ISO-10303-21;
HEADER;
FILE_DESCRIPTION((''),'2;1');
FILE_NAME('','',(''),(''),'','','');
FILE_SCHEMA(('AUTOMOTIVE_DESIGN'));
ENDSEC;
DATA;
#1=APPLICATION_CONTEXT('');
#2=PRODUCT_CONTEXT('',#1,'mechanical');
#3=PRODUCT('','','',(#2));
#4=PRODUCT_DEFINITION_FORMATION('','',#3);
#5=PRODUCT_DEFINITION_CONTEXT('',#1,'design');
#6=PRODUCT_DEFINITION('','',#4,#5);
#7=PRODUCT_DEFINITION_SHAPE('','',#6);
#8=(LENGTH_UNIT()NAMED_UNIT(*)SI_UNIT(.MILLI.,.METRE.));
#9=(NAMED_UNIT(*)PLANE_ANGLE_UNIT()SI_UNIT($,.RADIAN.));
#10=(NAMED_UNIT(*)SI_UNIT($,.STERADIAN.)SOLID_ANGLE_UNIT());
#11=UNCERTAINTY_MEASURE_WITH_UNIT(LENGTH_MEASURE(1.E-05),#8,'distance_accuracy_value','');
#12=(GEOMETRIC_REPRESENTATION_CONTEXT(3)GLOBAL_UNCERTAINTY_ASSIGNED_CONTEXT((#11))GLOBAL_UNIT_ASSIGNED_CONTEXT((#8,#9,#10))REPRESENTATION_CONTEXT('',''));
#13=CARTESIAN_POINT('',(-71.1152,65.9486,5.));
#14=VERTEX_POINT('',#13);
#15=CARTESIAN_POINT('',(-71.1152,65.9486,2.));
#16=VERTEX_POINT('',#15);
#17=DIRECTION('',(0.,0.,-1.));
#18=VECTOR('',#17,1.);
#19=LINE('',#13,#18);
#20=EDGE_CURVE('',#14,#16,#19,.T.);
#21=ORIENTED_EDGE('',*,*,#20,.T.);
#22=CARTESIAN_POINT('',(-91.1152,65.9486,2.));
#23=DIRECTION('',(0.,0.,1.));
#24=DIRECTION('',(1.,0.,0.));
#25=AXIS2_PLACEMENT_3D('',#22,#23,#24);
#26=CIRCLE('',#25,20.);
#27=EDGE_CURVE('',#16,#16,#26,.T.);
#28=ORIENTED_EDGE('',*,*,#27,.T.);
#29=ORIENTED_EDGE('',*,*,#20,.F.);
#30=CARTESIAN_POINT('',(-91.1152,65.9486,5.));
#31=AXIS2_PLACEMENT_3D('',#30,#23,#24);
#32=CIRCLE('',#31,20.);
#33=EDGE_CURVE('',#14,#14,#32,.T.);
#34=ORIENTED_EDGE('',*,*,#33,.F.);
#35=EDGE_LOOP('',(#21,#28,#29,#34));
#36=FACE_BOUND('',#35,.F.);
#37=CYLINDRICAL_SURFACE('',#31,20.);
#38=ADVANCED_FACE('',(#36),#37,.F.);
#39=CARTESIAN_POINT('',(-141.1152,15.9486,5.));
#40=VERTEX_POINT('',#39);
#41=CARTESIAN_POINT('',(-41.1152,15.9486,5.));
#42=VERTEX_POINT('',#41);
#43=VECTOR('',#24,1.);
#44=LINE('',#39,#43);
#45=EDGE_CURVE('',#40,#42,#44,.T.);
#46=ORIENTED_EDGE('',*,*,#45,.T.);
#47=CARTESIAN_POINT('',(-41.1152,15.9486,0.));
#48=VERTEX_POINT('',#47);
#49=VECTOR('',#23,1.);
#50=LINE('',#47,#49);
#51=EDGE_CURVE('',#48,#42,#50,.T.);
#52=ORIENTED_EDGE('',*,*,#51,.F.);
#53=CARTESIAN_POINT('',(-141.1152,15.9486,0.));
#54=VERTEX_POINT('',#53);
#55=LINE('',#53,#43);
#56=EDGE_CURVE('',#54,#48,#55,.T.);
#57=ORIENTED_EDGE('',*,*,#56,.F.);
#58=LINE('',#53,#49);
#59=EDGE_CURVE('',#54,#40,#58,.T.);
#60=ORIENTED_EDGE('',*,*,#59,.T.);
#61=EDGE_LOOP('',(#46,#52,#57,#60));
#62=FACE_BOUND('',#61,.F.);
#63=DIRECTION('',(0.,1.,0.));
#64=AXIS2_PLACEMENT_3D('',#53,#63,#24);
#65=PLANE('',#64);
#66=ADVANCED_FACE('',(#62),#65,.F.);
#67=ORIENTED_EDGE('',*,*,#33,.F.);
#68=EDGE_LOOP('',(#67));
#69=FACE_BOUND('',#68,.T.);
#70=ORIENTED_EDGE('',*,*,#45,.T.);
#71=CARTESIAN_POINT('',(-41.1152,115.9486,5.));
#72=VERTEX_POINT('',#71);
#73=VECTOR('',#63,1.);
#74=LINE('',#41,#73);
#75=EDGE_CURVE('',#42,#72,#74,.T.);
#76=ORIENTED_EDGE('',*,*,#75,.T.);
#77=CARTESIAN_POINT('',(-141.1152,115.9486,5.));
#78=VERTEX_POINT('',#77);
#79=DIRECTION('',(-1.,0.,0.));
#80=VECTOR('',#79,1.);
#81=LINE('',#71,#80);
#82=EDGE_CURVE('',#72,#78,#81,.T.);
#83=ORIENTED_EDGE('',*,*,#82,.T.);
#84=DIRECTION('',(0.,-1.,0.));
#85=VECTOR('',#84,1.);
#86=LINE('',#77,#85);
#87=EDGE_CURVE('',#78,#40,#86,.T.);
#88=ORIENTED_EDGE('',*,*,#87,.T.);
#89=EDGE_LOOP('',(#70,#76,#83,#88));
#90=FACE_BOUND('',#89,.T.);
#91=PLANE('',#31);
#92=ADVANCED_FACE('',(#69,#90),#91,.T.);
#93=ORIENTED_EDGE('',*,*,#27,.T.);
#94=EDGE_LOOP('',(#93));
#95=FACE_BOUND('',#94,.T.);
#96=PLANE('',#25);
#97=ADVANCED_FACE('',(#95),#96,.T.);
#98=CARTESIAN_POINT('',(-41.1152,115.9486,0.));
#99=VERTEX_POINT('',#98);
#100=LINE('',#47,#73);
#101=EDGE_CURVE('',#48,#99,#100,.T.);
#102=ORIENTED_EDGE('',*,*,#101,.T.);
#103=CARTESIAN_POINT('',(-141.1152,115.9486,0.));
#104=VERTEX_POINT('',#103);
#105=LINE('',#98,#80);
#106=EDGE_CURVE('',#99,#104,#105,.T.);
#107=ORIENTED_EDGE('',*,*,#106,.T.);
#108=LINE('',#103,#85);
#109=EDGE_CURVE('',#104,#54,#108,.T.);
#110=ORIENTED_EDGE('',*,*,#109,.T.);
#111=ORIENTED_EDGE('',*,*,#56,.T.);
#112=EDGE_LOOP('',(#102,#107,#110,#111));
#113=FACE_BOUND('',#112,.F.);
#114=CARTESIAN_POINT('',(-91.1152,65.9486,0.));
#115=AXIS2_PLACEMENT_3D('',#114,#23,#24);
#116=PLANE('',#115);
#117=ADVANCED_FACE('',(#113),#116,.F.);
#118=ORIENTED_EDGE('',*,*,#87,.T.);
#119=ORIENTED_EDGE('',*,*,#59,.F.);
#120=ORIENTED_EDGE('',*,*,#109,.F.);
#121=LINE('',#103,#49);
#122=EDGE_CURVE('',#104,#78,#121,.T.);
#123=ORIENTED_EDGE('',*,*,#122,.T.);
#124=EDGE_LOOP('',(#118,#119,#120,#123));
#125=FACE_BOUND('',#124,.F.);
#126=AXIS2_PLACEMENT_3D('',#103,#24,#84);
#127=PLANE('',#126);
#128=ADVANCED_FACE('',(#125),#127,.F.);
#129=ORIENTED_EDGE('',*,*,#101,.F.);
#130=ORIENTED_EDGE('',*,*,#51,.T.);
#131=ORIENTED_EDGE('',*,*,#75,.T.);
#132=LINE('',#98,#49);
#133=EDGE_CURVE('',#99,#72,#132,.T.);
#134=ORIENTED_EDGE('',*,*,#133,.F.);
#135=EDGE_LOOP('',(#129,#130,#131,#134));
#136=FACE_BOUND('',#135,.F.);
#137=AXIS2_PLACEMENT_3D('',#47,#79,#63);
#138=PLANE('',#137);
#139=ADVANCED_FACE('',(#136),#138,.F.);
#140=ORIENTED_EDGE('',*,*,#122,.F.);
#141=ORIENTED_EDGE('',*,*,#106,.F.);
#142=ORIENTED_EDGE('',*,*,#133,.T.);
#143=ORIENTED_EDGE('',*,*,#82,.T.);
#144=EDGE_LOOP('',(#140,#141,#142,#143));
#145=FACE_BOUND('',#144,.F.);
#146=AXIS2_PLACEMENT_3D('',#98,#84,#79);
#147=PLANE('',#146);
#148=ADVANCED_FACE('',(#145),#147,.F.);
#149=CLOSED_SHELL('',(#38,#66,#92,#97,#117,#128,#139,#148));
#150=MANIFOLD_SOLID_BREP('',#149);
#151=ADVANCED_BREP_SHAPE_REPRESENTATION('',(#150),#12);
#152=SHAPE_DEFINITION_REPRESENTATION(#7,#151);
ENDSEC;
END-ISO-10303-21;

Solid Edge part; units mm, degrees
sketch "Sketch1" plane through (0, 0, 0) normal (0, 0, 1) x (1, 0, 0)
  line L0 (-141.1152, 15.9486) -> (-41.1152, 15.9486)
  line L1 (-41.1152, 15.9486) -> (-41.1152, 115.9486)
  line L2 (-41.1152, 115.9486) -> (-141.1152, 115.9486)
  line L3 (-141.1152, 115.9486) -> (-141.1152, 15.9486)
  dimension "D1" = 100
  dimension "D2" = 100
extrude "Protrusion1" add sketch "Sketch1" along normal blind 5
sketch "Sketch2" plane through (-66.1152, 40.9486, 5) normal (0, 0, 1) x (1, 0, 0)
  circle A0 centre (-25, 25) radius 20
  dimension "D1" = 50
  dimension "D2" = 50
extrude "ExtrudedCutout_1" cut sketch "Sketch2" against normal blind 3
properties material "Aluminum, 6061-T6"
